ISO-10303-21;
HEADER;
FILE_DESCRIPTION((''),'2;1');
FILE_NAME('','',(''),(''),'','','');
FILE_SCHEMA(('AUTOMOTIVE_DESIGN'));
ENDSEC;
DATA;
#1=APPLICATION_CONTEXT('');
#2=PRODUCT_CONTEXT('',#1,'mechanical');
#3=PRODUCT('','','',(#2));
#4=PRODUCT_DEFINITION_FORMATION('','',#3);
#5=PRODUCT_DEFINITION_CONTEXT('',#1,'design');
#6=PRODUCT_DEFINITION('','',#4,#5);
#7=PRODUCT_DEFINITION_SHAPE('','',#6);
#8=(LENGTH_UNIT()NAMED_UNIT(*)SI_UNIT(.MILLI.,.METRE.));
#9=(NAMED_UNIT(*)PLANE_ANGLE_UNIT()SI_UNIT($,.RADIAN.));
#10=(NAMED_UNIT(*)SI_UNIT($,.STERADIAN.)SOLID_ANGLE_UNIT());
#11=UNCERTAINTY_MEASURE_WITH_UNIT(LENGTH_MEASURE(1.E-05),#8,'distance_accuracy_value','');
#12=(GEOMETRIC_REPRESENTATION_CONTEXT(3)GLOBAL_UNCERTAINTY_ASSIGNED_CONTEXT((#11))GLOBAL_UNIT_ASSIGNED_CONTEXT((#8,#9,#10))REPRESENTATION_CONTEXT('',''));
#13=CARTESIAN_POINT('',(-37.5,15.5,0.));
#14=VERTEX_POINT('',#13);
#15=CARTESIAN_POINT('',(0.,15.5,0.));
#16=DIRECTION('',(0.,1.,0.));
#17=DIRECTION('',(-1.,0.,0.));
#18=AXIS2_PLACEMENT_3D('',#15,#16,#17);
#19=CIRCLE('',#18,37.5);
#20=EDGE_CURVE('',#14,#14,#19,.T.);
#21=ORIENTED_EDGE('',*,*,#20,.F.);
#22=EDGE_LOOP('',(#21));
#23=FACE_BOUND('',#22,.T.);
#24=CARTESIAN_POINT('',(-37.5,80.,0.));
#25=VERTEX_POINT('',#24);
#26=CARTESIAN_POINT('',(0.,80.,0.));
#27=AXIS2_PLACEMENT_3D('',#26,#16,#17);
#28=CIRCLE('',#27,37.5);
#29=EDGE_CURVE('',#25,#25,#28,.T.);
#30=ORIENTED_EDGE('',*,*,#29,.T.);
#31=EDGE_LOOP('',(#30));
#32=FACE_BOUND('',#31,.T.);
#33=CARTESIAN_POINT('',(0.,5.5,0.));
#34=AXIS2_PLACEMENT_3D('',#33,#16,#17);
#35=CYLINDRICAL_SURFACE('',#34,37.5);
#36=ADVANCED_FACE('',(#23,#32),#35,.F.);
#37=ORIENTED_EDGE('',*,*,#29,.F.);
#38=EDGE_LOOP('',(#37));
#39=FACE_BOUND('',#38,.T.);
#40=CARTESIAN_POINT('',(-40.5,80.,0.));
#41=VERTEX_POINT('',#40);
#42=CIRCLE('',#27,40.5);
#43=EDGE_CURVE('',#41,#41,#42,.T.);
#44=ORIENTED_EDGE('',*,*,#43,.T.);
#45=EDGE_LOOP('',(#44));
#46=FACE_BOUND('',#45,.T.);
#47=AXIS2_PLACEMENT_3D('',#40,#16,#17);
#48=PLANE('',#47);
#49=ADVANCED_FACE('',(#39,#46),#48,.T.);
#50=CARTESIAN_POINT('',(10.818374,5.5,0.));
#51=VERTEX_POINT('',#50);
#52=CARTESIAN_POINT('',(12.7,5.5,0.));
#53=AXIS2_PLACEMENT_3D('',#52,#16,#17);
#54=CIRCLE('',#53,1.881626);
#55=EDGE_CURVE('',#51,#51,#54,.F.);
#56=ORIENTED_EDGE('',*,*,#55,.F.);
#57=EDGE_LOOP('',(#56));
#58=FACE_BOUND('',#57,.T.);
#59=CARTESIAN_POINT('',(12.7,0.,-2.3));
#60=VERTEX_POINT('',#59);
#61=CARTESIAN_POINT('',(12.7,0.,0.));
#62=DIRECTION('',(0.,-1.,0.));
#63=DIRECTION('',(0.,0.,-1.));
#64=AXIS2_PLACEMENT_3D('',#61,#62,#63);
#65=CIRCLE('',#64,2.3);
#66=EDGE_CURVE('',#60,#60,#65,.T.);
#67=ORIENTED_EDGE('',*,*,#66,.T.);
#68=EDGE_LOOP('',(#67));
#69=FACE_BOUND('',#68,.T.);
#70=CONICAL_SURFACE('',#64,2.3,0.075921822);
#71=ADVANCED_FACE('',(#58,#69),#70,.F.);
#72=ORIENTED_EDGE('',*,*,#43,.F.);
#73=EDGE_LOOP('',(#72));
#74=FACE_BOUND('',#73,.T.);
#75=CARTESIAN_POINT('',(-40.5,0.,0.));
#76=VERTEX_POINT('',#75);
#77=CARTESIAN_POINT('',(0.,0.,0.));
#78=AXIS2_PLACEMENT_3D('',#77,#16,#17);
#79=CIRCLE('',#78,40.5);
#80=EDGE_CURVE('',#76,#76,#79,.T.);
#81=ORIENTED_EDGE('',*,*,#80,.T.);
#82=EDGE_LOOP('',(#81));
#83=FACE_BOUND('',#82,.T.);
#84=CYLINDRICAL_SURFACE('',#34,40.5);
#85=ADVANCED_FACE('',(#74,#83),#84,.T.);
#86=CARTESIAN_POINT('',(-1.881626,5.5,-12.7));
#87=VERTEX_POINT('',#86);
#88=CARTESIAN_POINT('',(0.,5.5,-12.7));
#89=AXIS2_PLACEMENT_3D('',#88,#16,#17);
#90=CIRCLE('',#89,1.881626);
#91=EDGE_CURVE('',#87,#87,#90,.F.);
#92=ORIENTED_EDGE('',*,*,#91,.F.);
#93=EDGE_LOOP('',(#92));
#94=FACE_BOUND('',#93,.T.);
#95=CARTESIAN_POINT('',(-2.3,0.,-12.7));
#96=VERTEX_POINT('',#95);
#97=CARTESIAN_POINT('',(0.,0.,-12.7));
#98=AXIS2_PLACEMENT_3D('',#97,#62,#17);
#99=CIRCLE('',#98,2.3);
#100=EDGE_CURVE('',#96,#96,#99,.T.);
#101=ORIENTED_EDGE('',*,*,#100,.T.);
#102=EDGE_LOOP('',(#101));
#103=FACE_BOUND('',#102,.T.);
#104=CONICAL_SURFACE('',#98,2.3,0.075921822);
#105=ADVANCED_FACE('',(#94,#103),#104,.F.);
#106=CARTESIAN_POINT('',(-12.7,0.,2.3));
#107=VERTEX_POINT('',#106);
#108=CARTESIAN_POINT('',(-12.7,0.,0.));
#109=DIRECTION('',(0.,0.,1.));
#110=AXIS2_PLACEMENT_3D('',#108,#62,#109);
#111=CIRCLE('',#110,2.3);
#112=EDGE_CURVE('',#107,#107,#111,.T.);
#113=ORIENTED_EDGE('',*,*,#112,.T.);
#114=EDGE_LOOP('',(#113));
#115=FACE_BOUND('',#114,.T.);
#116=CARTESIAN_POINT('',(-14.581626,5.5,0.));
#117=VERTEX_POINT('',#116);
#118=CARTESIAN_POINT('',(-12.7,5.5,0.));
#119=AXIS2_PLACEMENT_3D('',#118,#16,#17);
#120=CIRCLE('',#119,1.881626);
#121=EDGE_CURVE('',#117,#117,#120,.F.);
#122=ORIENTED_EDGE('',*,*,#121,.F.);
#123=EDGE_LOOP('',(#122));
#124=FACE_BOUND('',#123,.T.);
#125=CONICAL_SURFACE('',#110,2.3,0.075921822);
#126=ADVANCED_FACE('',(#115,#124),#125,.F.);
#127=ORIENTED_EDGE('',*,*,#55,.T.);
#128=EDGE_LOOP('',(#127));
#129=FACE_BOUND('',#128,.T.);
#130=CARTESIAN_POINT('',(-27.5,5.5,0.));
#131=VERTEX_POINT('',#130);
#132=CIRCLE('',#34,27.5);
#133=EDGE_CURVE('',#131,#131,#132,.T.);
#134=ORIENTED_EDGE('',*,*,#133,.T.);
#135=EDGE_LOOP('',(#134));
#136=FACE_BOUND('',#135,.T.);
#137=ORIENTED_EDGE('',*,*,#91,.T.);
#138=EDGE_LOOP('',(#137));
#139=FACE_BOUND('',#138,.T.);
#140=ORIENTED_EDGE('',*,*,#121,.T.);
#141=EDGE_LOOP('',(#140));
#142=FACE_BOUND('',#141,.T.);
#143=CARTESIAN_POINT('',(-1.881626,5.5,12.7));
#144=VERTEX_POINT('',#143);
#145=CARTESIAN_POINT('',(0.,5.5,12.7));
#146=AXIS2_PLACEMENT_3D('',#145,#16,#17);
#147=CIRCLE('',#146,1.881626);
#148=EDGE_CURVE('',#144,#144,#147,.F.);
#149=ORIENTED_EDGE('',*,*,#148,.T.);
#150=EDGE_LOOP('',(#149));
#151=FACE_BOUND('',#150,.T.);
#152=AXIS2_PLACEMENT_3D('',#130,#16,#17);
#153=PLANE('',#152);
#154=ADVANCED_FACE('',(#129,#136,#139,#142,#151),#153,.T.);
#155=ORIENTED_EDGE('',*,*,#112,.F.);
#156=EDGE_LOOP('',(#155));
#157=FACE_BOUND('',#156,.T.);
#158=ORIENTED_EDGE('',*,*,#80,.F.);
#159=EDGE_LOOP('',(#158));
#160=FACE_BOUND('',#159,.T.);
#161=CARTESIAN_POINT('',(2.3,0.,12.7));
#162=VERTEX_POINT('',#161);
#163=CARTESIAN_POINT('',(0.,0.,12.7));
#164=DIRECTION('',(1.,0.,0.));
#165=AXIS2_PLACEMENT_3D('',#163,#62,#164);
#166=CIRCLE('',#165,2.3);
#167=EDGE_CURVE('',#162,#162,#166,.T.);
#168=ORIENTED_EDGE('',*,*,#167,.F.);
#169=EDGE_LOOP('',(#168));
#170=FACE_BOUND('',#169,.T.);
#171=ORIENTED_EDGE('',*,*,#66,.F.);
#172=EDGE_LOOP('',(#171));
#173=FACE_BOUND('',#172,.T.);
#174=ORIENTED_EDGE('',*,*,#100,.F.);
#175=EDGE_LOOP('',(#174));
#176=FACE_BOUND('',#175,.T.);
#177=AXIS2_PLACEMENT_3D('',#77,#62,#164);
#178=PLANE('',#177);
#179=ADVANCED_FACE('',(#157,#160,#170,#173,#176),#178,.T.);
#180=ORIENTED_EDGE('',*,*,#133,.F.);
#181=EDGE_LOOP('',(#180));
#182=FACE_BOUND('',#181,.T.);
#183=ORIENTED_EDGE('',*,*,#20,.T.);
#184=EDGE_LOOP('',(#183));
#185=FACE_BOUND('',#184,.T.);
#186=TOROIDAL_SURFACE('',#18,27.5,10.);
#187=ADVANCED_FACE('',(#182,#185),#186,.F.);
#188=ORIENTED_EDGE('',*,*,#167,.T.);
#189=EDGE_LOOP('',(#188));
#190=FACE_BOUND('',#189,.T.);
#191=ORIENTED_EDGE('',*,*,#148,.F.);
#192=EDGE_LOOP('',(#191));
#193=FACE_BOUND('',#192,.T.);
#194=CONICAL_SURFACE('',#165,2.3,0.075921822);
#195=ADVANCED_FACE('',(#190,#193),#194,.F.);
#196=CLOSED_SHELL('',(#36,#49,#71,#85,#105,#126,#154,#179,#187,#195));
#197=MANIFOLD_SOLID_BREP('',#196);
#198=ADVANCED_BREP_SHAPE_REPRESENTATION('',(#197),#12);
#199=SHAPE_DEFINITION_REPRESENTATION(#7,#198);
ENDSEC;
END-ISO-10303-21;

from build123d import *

# Parameters (mm, degrees)
SKETCH2_R                   = 2.3
CUT_EXTRUDE1_DEPTH          = 5.5
CUT_EXTRUDE1_DRAFT          = -4.35
CIRPATTERN1_COPY_1_SKETCH_R = 2.3
CIRPATTERN1_COPY_1_DEPTH    = 5.5
CIRPATTERN1_COPY_1_DRAFT    = -4.35
CIRPATTERN1_COPY_2_SKETCH_R = 2.3
CIRPATTERN1_COPY_2_DEPTH    = 5.5
CIRPATTERN1_COPY_2_DRAFT    = -4.35
CIRPATTERN1_COPY_3_SKETCH_R = 2.3
CIRPATTERN1_COPY_3_DEPTH    = 5.5
CIRPATTERN1_COPY_3_DRAFT    = -4.35


with BuildPart() as part:
    # Sketch1 → Revolve1 (revolve)
    with BuildSketch(Plane.XY):
        with BuildLine():
            Line((0, 0), (-40.5, 0))
            Line((-40.5, 0), (-40.5, 80))
            Line((-40.5, 80), (-37.5, 80))
            Line((-37.5, 80), (-37.5, 15.5))
            ThreePointArc((-37.5, 15.5), (-34.571067812, 8.428932188), (-27.5, 5.5))
            Line((-27.5, 5.5), (0, 5.5))
            Line((0, 5.5), (0, 0))
        make_face()
    revolve(axis=Axis((0, 5.5, 0), (0, -1, 0)))


with BuildPart() as cut_extrude1_tool:
    # Sketch2 → Cut-Extrude1 (with draft: the straight prism first)
    with BuildSketch(Plane.XZ):
        with Locations((0, 12.7)):
            Circle(SKETCH2_R)
    extrude(amount=-CUT_EXTRUDE1_DEPTH)
    # Cut-Extrude1: the draft: its side faces are tilted about the plane it starts from
    cut_extrude1_sides = [cut_extrude1_tool.faces().sort_by_distance(p)[0] for p in [
        (-2.3, 2.75, 12.7),
    ]]
    draft(cut_extrude1_sides, Plane.XZ, CUT_EXTRUDE1_DRAFT)


with BuildPart() as part_1:
    add(part.part)

    # Cut-Extrude1: cut by cut_extrude1_tool
    add(cut_extrude1_tool.part, mode=Mode.SUBTRACT)


with BuildPart() as cirpattern1_copy_1_tool:
    # CirPattern1 copy 1 sketch → CirPattern1 copy 1 (with draft: the straight prism first)
    with BuildSketch(Plane(origin=(0, 0, 0), x_dir=(0, 0, -1), z_dir=(0, -1, 0))):
        with Locations((0, 12.7)):
            Circle(CIRPATTERN1_COPY_1_SKETCH_R)
    extrude(amount=-CIRPATTERN1_COPY_1_DEPTH)
    # CirPattern1 copy 1: the draft: its side faces are tilted about the plane it starts from
    cirpattern1_copy_1_sides = [cirpattern1_copy_1_tool.faces().sort_by_distance(p)[0] for p in [
        (12.7, 2.75, 2.3),
    ]]
    draft(cirpattern1_copy_1_sides, Plane(origin=(0, 0, 0), x_dir=(0, 0, -1), z_dir=(0, -1, 0)), CIRPATTERN1_COPY_1_DRAFT)


with BuildPart() as part_2:
    add(part_1.part)

    # CirPattern1 copy 1: cut by cirpattern1_copy_1_tool
    add(cirpattern1_copy_1_tool.part, mode=Mode.SUBTRACT)


with BuildPart() as cirpattern1_copy_2_tool:
    # CirPattern1 copy 2 sketch → CirPattern1 copy 2 (with draft: the straight prism first)
    with BuildSketch(Plane(origin=(0, 0, 0), x_dir=(-1, 0, 0), z_dir=(0, -1, 0))):
        with Locations((0, 12.7)):
            Circle(CIRPATTERN1_COPY_2_SKETCH_R)
    extrude(amount=-CIRPATTERN1_COPY_2_DEPTH)
    # CirPattern1 copy 2: the draft: its side faces are tilted about the plane it starts from
    cirpattern1_copy_2_sides = [cirpattern1_copy_2_tool.faces().sort_by_distance(p)[0] for p in [
        (2.3, 2.75, -12.7),
    ]]
    draft(cirpattern1_copy_2_sides, Plane(origin=(0, 0, 0), x_dir=(-1, 0, 0), z_dir=(0, -1, 0)), CIRPATTERN1_COPY_2_DRAFT)


with BuildPart() as part_3:
    add(part_2.part)

    # CirPattern1 copy 2: cut by cirpattern1_copy_2_tool
    add(cirpattern1_copy_2_tool.part, mode=Mode.SUBTRACT)


with BuildPart() as cirpattern1_copy_3_tool:
    # CirPattern1 copy 3 sketch → CirPattern1 copy 3 (with draft: the straight prism first)
    with BuildSketch(Plane(origin=(0, 0, 0), x_dir=(0, 0, 1), z_dir=(0, -1, 0))):
        with Locations((0, 12.7)):
            Circle(CIRPATTERN1_COPY_3_SKETCH_R)
    extrude(amount=-CIRPATTERN1_COPY_3_DEPTH)
    # CirPattern1 copy 3: the draft: its side faces are tilted about the plane it starts from
    cirpattern1_copy_3_sides = [cirpattern1_copy_3_tool.faces().sort_by_distance(p)[0] for p in [
        (-12.7, 2.75, -2.3),
    ]]
    draft(cirpattern1_copy_3_sides, Plane(origin=(0, 0, 0), x_dir=(0, 0, 1), z_dir=(0, -1, 0)), CIRPATTERN1_COPY_3_DRAFT)


with BuildPart() as part_4:
    add(part_3.part)

    # CirPattern1 copy 3: cut by cirpattern1_copy_3_tool
    add(cirpattern1_copy_3_tool.part, mode=Mode.SUBTRACT)


solid = part_4.part
